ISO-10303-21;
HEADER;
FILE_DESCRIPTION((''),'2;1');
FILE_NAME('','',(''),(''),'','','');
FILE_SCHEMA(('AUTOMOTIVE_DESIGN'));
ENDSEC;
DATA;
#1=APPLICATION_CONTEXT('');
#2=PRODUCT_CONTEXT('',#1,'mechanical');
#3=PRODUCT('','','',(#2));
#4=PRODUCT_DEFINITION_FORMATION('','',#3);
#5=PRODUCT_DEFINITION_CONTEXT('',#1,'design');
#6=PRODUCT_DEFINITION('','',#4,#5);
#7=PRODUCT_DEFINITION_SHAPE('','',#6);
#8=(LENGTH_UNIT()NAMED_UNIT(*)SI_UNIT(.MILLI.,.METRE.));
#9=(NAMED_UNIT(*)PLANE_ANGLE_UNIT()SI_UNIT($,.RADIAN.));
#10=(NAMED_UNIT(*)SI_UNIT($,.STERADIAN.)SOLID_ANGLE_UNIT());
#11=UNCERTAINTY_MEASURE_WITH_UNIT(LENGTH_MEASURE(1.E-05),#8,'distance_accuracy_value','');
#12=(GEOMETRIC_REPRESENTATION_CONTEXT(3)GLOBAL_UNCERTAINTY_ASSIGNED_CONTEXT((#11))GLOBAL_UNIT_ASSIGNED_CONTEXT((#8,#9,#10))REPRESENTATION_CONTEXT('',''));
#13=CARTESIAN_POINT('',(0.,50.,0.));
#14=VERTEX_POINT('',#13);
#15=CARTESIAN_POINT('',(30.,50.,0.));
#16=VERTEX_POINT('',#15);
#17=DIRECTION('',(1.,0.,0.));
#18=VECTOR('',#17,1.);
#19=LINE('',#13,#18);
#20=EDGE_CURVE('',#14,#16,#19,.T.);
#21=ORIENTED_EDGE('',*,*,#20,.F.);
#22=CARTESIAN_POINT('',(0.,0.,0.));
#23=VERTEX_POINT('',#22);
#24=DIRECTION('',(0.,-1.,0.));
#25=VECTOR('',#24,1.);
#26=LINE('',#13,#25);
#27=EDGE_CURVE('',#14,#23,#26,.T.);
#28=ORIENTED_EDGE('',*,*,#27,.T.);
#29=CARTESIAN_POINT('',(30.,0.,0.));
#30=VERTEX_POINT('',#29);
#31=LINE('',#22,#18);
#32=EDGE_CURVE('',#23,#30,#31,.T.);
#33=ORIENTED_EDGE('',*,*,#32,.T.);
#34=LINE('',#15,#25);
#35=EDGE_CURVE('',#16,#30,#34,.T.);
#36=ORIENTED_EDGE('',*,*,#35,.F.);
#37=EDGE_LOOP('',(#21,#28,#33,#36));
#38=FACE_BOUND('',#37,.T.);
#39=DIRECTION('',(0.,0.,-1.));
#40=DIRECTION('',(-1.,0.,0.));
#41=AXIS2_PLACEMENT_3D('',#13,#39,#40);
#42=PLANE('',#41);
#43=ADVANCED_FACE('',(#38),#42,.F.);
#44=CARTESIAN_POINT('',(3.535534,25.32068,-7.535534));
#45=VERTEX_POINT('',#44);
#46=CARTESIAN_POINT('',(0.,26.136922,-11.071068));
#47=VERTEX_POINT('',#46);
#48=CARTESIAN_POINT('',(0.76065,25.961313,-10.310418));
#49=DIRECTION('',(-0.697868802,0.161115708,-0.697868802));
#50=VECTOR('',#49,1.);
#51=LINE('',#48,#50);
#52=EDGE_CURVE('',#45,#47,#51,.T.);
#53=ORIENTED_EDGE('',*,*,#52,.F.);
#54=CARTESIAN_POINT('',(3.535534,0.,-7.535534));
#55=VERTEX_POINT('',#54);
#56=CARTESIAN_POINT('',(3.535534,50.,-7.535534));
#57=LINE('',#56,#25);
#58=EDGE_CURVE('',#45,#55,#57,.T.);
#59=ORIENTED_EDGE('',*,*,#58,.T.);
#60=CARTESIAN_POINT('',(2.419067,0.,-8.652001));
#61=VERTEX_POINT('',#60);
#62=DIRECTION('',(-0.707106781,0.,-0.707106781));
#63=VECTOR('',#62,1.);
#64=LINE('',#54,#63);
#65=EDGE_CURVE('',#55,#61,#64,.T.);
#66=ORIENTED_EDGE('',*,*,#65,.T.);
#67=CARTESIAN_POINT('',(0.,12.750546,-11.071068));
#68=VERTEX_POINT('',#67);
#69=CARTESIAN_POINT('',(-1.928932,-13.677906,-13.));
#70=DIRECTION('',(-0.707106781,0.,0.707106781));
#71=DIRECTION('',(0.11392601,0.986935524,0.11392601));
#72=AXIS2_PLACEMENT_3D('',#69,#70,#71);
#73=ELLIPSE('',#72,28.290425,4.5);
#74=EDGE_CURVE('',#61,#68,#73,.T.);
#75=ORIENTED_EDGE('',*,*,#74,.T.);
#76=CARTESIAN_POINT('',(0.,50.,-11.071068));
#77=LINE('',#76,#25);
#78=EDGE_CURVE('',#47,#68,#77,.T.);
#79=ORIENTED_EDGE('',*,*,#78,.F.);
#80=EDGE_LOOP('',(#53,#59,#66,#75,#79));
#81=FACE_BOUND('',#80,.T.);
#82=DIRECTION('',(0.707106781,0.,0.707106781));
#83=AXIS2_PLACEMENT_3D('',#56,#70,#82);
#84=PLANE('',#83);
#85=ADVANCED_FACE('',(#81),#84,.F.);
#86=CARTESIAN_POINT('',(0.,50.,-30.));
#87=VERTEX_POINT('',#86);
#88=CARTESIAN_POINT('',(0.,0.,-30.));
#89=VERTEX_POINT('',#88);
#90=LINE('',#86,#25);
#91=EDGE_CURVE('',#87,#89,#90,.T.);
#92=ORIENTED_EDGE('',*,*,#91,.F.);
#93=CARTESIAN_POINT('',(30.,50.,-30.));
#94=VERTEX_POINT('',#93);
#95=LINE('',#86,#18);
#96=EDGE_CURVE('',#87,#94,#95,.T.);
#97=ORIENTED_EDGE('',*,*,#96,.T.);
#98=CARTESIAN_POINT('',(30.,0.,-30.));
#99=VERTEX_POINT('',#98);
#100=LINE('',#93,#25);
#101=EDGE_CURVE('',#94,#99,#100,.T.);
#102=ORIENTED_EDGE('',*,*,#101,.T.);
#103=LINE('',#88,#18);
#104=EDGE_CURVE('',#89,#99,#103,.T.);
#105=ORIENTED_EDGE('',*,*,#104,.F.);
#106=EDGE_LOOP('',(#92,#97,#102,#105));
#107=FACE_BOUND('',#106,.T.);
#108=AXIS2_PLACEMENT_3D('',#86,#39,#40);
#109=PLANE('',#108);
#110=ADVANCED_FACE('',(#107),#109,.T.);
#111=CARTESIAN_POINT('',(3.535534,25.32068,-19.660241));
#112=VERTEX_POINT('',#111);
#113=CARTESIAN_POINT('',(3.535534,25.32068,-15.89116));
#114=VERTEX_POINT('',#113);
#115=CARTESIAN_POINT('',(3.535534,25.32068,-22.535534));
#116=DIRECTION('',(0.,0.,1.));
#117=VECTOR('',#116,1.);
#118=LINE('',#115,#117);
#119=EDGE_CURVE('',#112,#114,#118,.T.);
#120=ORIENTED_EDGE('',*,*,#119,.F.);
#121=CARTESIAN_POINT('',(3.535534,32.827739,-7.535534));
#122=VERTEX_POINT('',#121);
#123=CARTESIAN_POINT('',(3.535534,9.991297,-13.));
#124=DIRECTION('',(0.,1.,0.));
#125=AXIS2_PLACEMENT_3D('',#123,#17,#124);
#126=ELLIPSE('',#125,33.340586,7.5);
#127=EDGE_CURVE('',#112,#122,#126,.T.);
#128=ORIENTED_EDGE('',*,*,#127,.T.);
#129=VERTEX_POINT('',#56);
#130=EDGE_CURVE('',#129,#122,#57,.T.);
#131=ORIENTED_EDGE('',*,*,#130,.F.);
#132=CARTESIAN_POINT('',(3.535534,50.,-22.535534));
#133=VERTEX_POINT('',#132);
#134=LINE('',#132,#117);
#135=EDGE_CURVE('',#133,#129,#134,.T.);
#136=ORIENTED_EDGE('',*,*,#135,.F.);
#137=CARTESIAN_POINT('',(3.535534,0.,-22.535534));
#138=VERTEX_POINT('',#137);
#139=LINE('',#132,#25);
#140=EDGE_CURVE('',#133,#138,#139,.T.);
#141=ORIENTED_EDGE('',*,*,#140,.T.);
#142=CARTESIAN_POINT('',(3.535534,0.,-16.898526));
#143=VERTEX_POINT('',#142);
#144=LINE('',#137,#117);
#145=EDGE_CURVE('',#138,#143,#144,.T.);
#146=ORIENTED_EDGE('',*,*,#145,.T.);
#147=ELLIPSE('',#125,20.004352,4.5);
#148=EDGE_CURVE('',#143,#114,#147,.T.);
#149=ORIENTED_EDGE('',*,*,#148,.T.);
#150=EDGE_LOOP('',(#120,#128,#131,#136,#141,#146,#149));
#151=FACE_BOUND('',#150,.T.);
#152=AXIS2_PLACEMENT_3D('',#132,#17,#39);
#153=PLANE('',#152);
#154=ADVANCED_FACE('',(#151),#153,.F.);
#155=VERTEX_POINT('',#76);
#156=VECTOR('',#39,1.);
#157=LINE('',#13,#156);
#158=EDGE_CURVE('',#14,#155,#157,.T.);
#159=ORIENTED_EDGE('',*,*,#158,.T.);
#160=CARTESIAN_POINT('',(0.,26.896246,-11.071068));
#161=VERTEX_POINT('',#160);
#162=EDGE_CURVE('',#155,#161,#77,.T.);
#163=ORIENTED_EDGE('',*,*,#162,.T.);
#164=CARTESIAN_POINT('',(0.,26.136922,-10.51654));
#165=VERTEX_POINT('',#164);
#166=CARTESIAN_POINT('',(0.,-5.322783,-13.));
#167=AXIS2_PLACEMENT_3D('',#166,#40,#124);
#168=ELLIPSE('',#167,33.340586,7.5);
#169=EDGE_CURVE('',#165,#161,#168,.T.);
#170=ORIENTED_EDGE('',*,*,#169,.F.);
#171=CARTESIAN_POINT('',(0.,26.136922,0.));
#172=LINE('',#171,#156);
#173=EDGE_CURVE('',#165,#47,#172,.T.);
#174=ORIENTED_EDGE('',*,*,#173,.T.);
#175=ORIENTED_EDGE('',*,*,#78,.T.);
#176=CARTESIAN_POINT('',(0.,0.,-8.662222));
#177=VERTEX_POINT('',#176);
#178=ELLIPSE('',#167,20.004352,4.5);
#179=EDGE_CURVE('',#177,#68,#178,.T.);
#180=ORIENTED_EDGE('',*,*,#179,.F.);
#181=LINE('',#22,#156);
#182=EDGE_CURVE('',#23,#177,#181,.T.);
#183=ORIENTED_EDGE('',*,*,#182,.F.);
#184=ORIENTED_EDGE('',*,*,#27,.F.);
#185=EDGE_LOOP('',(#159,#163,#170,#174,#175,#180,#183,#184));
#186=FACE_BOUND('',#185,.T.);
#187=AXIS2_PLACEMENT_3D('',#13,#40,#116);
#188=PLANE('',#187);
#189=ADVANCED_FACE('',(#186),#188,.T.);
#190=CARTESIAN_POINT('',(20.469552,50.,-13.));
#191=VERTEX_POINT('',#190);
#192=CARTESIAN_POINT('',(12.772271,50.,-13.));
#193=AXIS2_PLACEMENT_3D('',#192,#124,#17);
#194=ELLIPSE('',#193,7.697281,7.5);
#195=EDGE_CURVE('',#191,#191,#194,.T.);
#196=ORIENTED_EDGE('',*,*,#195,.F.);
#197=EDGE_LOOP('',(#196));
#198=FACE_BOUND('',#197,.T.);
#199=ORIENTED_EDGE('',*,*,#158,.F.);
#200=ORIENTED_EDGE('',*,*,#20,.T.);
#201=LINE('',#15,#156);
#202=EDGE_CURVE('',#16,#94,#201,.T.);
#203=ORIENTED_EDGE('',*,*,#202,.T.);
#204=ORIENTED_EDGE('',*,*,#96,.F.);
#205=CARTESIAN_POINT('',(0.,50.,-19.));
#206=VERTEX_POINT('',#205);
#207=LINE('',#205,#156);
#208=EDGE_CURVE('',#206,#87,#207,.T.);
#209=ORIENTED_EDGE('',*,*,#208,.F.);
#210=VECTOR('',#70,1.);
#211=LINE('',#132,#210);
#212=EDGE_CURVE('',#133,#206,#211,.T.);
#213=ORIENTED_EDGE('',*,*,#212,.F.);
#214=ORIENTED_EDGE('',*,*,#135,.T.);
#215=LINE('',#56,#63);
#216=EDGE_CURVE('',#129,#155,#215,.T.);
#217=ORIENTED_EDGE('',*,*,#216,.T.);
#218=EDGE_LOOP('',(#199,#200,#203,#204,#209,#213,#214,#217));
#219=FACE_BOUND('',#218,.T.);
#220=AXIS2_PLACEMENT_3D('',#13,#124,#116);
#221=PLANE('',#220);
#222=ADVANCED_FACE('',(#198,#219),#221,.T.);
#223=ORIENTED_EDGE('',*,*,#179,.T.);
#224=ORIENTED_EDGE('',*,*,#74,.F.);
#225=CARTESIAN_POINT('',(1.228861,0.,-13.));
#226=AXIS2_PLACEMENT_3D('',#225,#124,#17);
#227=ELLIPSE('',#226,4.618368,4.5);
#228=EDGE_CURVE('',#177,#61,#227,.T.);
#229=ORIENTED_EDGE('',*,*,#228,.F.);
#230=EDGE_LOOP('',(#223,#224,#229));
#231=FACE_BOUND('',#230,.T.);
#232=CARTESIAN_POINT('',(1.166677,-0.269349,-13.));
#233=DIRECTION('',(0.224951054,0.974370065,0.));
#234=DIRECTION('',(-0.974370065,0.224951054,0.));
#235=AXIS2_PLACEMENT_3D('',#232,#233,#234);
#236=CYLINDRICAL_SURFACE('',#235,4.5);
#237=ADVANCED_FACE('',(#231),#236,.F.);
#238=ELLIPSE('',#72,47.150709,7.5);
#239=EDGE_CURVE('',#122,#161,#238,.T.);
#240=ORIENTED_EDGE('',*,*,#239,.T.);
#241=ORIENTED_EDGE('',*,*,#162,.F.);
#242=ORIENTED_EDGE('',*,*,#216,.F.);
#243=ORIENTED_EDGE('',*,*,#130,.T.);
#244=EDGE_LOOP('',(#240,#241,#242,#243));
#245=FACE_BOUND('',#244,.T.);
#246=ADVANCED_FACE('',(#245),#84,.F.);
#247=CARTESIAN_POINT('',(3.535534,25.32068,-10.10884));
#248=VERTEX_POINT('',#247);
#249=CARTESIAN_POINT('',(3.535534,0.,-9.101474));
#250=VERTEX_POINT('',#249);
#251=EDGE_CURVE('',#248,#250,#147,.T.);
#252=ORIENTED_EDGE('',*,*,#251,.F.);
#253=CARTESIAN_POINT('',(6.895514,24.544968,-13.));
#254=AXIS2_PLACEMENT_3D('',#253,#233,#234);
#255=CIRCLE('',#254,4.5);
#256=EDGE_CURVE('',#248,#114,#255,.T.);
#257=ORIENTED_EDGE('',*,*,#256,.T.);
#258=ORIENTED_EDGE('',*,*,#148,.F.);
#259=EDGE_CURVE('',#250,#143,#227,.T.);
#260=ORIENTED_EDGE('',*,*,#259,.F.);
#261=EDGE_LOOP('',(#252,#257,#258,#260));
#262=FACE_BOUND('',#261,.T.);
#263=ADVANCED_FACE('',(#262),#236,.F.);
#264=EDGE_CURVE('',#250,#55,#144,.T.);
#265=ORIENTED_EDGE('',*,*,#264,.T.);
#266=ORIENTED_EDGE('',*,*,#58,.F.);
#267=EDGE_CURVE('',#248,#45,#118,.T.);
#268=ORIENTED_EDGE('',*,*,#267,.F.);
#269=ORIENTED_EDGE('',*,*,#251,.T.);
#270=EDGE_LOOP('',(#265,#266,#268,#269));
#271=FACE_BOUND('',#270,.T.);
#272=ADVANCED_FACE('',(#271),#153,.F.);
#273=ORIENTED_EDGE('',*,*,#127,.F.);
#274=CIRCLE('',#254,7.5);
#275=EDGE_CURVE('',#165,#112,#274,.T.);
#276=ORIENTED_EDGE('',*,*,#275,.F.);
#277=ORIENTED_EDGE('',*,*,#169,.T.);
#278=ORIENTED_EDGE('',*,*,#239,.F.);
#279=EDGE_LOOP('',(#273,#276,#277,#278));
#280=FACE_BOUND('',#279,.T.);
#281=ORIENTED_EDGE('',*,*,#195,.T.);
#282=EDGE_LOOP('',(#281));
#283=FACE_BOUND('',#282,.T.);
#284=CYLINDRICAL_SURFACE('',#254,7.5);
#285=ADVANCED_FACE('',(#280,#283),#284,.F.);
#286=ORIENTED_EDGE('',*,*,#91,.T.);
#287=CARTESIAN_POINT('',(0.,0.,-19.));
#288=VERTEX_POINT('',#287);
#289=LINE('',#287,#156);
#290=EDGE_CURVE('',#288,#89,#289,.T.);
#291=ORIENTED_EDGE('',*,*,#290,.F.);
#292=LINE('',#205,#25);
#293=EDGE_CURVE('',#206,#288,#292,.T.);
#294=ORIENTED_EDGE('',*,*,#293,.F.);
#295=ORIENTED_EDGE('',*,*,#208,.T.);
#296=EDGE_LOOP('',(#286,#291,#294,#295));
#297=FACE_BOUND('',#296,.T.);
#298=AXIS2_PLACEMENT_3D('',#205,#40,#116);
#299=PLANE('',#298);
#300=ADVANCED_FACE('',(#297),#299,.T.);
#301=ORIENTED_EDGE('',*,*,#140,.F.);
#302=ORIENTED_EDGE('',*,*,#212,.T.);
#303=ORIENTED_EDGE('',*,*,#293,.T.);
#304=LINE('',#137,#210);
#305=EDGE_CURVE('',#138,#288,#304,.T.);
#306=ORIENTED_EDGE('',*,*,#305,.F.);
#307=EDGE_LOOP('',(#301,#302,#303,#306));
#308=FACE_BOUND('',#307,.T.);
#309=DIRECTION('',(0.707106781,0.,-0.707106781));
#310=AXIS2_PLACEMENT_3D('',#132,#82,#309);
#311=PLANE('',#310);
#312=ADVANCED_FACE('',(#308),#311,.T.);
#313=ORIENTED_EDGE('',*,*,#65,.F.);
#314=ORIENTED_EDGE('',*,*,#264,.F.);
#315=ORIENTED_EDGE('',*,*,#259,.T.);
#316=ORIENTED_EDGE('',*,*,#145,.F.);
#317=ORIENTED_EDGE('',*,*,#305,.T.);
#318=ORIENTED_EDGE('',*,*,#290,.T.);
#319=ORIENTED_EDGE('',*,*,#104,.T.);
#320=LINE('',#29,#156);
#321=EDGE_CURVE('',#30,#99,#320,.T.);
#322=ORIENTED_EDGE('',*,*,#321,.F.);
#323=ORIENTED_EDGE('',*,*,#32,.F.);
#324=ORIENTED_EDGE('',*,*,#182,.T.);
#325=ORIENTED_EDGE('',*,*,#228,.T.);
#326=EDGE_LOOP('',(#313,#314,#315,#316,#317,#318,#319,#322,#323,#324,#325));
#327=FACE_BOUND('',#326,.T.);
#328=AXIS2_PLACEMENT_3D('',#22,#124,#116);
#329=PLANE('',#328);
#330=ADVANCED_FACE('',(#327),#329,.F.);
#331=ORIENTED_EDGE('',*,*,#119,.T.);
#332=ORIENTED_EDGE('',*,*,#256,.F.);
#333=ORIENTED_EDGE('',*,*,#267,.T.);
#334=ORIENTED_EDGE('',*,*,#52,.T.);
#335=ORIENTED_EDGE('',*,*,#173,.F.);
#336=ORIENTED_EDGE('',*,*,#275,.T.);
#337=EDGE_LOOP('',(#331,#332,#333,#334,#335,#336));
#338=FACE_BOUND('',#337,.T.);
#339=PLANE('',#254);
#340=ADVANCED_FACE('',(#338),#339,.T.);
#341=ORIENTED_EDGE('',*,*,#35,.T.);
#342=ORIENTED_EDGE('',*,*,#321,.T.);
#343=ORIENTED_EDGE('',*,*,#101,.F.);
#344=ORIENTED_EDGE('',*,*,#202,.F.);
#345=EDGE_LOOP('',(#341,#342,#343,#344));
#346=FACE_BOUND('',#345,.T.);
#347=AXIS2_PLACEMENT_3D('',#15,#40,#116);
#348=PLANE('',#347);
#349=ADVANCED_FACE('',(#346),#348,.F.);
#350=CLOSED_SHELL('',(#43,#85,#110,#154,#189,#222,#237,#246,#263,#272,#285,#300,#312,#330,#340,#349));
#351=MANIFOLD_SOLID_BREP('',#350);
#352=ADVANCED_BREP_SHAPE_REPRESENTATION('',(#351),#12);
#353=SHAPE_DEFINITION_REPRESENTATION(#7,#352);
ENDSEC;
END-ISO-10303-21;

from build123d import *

# Parameters (mm, degrees)
BOSS_EXTRUDE1_DEPTH = 50
SKETCH4_R           = 7.5
CUT_EXTRUDE1_DEPTH  = 30
SKETCH5_R           = 4.5
CUT_EXTRUDE2_DEPTH  = 26.46703487


with BuildPart() as part:
    # Sketch2 → Boss-Extrude1 (new body)
    with BuildSketch(Plane(origin=(0, 0, 0), x_dir=(1, 0, 0), z_dir=(0, 1, 0))):
        Polygon((3.535533906, 22.535533906), (3.535533906, 7.535533906), (0, 11.071067812), (0, 0), (30, 0), (30, 30), (0, 30), (0, 19), align=None)
    extrude(amount=BOSS_EXTRUDE1_DEPTH)

    # Sketch4 → Cut-Extrude1 (cut)
    with BuildSketch(Plane(origin=(12.477367975, 54.045418359, 0), x_dir=(0, 0, -1), z_dir=(0.224951054, 0.974370065, 0))):
        with Locations((13, -1.197365684)):
            Circle(SKETCH4_R)
    extrude(amount=-CUT_EXTRUDE1_DEPTH, mode=Mode.SUBTRACT)

    # Sketch5 → Cut-Extrude2 (cut, through all)
    with BuildSketch(Plane(origin=(5.728836345, 24.814316416, 0), x_dir=(0.974370065, -0.224951054, 0), z_dir=(0.224951054, 0.974370065, 0))):
        with Locations((1.197365684, 13)):
            Circle(SKETCH5_R)
    extrude(amount=-CUT_EXTRUDE2_DEPTH, mode=Mode.SUBTRACT)


solid = part.part
